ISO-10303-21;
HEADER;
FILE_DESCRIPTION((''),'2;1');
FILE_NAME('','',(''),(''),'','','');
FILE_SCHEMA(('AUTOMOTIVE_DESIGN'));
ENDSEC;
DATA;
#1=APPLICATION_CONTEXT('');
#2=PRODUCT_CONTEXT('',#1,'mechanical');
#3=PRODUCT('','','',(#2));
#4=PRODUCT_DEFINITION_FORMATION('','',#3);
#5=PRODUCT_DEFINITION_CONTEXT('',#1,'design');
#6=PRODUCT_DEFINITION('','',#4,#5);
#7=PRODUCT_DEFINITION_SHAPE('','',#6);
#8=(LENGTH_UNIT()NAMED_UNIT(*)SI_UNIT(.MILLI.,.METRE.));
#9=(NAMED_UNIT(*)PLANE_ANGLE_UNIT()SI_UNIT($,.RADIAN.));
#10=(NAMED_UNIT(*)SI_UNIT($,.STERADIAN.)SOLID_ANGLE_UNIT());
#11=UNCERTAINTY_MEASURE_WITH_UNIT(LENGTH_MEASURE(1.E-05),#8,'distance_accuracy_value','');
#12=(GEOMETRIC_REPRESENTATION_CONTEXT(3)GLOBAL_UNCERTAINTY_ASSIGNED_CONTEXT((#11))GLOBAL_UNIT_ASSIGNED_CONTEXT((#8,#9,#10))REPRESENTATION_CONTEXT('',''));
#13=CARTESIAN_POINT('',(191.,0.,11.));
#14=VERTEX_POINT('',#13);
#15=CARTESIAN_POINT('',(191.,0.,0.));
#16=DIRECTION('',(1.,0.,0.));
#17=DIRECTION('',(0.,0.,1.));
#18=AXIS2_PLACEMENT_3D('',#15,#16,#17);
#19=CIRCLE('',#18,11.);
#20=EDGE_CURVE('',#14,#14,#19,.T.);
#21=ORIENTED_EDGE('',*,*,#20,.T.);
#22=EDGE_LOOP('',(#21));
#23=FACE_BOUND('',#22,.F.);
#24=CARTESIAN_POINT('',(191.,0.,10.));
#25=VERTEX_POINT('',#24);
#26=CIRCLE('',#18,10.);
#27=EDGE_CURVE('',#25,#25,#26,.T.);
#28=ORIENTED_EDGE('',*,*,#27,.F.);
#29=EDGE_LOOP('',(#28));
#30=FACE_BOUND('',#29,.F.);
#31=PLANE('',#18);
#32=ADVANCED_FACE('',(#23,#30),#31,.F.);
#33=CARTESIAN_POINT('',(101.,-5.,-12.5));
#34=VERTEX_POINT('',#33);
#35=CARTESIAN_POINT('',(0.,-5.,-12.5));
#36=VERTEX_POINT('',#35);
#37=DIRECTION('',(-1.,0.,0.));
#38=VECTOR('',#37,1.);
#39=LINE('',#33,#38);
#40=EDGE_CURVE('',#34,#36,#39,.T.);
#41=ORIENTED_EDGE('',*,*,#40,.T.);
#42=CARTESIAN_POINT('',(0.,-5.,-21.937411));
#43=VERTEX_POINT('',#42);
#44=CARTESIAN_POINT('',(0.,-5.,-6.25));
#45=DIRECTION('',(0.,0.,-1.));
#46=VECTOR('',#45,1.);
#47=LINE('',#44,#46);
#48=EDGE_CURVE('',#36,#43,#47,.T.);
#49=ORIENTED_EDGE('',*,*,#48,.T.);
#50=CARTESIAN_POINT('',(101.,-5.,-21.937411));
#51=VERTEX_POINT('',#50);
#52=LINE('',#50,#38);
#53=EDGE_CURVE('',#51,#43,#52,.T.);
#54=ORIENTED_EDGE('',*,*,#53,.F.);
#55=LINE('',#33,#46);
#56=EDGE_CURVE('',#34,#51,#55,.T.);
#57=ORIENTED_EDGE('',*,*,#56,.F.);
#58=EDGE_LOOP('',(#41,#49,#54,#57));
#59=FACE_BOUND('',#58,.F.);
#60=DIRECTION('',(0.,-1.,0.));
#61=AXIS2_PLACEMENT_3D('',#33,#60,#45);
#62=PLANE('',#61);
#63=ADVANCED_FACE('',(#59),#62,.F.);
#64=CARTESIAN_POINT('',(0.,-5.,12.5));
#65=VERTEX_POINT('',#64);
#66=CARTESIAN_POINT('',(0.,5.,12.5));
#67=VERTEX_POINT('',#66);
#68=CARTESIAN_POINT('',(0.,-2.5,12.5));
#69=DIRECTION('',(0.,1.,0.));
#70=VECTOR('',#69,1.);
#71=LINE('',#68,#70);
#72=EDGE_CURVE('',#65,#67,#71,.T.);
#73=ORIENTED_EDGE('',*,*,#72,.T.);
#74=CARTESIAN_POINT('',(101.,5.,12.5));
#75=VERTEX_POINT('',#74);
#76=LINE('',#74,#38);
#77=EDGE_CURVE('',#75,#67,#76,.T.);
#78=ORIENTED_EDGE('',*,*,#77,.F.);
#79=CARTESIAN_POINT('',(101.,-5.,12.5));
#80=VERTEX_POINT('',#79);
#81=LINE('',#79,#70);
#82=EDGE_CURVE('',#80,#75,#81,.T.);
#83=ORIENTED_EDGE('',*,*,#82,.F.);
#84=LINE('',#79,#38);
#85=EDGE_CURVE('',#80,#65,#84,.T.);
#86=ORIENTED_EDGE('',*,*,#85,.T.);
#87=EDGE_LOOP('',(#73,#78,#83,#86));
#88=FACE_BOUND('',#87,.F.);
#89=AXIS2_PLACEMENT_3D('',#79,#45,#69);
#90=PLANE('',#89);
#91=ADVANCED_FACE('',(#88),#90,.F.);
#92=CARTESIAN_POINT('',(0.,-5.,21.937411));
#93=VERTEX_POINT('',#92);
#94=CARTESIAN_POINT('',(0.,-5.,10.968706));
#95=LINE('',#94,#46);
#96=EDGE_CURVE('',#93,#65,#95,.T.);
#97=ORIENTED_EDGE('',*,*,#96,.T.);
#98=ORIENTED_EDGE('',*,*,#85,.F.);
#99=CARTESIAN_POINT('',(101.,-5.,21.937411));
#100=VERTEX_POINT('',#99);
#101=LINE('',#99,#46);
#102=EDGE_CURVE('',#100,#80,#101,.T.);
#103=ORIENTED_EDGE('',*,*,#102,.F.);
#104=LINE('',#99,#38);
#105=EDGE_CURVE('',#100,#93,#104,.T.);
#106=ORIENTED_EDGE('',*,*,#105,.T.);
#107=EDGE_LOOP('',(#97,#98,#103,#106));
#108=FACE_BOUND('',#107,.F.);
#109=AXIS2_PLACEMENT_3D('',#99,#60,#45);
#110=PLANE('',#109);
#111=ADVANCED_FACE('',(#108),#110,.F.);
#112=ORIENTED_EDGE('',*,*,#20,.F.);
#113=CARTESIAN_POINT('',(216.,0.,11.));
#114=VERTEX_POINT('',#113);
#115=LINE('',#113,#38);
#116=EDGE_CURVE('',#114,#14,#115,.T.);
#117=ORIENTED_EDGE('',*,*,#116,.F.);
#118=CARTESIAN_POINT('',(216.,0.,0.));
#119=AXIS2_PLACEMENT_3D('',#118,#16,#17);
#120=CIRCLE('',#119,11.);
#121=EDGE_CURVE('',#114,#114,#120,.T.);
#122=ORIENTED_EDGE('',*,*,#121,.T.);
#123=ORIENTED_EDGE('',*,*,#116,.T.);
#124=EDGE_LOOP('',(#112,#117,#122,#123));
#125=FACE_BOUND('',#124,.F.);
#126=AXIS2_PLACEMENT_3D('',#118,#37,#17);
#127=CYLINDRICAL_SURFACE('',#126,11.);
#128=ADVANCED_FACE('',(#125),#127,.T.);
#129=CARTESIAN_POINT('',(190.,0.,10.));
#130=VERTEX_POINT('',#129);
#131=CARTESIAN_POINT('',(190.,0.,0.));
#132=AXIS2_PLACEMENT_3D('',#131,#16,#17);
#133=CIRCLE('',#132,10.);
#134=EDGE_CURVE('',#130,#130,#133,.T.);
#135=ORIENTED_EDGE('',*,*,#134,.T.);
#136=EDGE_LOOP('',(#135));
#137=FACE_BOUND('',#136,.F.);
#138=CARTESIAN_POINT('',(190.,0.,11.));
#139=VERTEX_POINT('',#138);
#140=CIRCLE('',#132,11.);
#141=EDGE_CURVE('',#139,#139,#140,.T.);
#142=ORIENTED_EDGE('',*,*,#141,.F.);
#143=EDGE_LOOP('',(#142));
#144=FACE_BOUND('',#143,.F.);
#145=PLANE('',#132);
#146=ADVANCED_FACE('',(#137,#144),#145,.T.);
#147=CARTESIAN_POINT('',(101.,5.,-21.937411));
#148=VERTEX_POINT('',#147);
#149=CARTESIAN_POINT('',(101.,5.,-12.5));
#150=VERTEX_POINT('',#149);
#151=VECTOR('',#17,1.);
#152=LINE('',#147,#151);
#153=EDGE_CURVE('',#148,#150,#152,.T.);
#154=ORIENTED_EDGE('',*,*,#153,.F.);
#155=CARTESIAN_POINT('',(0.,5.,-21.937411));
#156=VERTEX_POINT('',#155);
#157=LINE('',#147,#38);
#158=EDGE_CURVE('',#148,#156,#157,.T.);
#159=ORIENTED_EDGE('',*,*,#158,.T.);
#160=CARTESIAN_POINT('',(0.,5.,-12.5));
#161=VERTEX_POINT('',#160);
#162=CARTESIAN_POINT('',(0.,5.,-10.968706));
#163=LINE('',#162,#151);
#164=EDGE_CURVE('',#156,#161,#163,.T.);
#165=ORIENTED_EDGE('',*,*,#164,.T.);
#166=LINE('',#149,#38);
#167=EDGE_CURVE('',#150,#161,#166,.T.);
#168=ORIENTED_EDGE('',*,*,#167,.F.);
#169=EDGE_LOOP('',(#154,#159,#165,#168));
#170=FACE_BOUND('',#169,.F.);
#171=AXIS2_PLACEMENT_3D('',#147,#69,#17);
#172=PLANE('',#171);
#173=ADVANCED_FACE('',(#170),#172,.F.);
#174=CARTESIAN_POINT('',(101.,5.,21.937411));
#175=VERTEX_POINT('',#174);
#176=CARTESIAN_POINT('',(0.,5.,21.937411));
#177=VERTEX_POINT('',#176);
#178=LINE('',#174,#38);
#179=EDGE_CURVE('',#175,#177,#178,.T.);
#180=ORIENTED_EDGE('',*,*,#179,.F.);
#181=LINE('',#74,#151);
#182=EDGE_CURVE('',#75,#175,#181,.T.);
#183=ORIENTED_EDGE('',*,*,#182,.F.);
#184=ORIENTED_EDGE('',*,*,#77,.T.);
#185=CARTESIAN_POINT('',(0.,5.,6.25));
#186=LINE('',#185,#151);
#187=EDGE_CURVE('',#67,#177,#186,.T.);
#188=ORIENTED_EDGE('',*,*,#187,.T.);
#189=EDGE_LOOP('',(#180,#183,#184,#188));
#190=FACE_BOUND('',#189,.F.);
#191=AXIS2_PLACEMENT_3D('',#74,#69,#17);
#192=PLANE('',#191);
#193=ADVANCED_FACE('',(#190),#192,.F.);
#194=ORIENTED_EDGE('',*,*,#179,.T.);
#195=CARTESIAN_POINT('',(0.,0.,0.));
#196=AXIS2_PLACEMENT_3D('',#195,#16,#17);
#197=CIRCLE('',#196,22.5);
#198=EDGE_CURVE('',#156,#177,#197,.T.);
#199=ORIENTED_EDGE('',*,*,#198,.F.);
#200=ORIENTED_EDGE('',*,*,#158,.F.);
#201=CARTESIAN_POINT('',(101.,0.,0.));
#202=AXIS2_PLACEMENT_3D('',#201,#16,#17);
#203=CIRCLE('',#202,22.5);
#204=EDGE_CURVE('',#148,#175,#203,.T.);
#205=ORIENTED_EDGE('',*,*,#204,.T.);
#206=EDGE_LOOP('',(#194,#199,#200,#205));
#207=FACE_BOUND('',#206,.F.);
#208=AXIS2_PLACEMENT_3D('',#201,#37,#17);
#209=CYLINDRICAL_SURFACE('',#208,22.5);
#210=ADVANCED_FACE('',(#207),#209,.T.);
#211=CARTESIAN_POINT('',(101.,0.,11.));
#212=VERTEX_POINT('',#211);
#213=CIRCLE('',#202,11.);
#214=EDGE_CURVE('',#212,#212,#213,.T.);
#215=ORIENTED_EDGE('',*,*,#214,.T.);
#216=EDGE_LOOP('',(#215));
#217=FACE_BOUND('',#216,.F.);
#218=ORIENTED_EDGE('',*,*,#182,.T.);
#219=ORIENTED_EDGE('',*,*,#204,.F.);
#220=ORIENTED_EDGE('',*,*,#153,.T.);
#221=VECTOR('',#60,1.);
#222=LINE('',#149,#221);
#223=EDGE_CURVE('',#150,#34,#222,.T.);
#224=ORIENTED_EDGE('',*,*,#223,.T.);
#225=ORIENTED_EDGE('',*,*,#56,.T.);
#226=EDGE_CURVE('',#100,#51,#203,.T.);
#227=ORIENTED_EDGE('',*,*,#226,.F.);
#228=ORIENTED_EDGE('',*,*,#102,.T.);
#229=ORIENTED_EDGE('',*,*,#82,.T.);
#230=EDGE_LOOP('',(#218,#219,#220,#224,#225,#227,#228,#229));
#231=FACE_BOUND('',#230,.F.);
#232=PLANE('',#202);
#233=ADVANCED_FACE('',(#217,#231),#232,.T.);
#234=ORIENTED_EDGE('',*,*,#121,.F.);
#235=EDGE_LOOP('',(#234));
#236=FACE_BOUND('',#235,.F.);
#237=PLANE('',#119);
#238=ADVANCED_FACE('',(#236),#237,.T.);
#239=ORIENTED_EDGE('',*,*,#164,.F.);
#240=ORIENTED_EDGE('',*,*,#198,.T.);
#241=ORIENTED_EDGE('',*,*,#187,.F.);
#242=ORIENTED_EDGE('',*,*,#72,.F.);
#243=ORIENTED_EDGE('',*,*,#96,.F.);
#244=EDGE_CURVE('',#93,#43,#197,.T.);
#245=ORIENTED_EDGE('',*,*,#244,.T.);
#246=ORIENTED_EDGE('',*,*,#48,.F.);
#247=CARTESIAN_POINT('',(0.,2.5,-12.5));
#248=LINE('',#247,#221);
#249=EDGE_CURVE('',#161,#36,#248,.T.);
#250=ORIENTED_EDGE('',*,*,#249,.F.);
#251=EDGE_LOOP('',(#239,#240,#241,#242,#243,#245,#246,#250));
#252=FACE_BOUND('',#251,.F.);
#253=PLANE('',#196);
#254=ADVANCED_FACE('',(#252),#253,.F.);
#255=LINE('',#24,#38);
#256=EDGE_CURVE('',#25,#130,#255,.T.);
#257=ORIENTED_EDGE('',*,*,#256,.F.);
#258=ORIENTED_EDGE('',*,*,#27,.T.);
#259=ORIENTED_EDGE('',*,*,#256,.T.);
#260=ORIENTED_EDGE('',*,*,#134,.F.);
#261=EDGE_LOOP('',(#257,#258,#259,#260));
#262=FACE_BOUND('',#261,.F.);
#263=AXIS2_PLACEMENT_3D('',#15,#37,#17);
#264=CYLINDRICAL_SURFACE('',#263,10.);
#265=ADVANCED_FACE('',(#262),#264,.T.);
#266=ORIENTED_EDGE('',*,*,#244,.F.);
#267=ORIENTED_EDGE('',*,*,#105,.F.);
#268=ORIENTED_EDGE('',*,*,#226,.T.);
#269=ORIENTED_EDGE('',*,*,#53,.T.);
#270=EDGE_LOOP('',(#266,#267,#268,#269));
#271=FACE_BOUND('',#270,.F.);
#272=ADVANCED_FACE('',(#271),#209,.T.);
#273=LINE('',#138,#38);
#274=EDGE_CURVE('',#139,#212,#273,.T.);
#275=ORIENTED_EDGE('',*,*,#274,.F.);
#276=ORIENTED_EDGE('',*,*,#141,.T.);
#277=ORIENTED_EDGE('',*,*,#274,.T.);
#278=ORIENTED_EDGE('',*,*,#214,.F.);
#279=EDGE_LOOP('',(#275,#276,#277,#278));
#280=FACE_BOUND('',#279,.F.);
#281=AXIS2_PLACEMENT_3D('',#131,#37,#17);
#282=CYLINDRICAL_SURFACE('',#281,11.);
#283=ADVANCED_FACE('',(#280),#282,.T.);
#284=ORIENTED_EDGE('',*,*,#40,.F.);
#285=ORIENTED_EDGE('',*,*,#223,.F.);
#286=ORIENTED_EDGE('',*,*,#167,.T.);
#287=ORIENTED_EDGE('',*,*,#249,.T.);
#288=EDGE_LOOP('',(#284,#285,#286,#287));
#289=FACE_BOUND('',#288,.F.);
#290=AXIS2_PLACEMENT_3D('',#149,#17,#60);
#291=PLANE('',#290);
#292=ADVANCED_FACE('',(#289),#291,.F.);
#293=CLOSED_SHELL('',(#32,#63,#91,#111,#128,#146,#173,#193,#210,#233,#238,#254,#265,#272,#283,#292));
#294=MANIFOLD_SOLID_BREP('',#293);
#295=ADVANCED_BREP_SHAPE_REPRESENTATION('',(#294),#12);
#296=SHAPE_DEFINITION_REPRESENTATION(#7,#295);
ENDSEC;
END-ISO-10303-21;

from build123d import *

# Parameters (mm, degrees)
F3_DEPTH = 125


with BuildPart() as f1:
    # F0 (on Front) → F1 (revolve)
    with BuildSketch(Plane.XZ):
        Polygon((0, 22.5), (0, 0), (216, 0), (216, 11), (191, 11), (191, 10), (190, 10), (190, 11), (101, 11), (101, 22.5), align=None)
    revolve(axis=Axis((86.003285, 0, 0), (1, 0, 0)))

    # F2 (on face) → F3 (cut)
    with BuildSketch(Plane.YZ.offset(101)):
        with BuildLine():
            ThreePointArc((5, 21.937411), (0, 22.5), (-5, 21.937411))
            Line((-5, 21.937411), (-5, 12.5))
            Line((-5, 12.5), (5, 12.5))
            Line((5, 12.5), (5, 21.937411))
        make_face()
        with BuildLine():
            Line((-5, -12.5), (-5, -21.937411))
            ThreePointArc((-5, -21.937411), (0, -22.5), (5, -21.937411))
            Line((5, -21.937411), (5, -12.5))
            Line((5, -12.5), (-5, -12.5))
        make_face()
    extrude(amount=-F3_DEPTH, mode=Mode.SUBTRACT)


solid = f1.part
